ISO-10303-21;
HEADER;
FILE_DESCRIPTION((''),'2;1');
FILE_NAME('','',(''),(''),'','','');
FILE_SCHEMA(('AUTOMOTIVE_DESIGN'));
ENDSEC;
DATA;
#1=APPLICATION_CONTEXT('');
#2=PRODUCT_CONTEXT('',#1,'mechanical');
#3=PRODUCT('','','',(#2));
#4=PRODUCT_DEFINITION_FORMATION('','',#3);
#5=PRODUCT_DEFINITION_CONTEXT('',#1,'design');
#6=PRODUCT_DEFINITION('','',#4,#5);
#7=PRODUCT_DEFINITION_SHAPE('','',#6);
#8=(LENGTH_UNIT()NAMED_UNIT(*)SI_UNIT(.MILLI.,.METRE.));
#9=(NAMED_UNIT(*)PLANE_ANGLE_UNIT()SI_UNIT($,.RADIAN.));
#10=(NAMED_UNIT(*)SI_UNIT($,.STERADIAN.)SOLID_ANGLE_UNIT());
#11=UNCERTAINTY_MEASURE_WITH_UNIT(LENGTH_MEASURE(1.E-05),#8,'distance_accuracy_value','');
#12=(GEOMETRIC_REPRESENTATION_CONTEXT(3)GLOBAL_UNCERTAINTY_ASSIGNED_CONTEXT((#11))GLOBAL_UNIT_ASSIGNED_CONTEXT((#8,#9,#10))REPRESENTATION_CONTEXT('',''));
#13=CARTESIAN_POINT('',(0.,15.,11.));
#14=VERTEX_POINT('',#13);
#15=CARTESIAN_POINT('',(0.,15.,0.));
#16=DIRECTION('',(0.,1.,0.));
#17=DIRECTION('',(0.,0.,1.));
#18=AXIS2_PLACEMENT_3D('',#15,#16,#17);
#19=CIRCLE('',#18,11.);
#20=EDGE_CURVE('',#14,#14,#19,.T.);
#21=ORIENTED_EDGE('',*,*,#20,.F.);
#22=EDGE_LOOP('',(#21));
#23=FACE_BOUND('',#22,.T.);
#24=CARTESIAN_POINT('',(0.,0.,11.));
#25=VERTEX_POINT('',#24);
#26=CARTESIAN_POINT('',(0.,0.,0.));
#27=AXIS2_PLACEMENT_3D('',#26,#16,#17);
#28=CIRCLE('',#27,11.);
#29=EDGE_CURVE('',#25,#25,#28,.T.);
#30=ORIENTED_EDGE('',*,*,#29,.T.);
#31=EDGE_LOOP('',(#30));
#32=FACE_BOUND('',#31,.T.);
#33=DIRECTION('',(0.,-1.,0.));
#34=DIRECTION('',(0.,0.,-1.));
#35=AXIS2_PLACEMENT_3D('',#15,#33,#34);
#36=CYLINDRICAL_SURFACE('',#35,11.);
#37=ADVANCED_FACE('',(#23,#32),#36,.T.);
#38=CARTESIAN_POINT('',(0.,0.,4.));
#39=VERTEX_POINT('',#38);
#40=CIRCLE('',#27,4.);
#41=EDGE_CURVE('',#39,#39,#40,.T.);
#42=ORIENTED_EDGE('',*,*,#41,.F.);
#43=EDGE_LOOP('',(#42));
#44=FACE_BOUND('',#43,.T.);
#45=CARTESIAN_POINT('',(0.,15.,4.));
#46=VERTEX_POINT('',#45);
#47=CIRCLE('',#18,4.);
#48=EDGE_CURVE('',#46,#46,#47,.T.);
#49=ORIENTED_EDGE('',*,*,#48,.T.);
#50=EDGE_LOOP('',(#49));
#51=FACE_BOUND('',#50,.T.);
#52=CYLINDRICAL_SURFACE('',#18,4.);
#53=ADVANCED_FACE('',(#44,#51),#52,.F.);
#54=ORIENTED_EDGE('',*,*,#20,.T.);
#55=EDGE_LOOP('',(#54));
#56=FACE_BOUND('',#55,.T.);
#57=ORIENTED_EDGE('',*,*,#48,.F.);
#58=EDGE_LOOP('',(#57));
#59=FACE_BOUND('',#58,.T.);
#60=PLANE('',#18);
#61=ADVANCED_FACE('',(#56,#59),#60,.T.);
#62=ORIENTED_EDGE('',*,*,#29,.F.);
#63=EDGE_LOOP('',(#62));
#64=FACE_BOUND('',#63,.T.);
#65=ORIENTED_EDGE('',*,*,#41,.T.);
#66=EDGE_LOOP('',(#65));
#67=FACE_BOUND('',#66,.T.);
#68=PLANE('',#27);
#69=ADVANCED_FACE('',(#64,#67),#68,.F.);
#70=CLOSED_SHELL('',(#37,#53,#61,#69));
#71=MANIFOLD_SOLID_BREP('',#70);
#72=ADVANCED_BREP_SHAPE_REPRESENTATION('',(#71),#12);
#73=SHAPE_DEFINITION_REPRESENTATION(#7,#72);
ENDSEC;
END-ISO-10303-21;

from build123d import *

# Parameters (mm, degrees)
SZKIC1_R                    = 11
DODANIE_WYCI_GNI_CIE1_DEPTH = 15
OTWORY_USTALAJ_CE_8_0MM1_D  = 8


with BuildPart() as part:
    # Szkic1 → Dodanie-wyciągnięcie1 (new body)
    with BuildSketch(Plane(origin=(0, 0, 0), x_dir=(1, 0, 0), z_dir=(0, 1, 0))):
        with Locations(Location((0, 0, 0), (0, 0, 270))):
            Circle(SZKIC1_R)
    extrude(amount=DODANIE_WYCI_GNI_CIE1_DEPTH)

    # Otwory ustalające Ø8.0mm1 (through all)
    with Locations(Plane(origin=(0, 15, 0), x_dir=(1, 0, 0), z_dir=(0, 1, 0))):
        with Locations((0, 0)):
            Hole(OTWORY_USTALAJ_CE_8_0MM1_D / 2)


solid = part.part
